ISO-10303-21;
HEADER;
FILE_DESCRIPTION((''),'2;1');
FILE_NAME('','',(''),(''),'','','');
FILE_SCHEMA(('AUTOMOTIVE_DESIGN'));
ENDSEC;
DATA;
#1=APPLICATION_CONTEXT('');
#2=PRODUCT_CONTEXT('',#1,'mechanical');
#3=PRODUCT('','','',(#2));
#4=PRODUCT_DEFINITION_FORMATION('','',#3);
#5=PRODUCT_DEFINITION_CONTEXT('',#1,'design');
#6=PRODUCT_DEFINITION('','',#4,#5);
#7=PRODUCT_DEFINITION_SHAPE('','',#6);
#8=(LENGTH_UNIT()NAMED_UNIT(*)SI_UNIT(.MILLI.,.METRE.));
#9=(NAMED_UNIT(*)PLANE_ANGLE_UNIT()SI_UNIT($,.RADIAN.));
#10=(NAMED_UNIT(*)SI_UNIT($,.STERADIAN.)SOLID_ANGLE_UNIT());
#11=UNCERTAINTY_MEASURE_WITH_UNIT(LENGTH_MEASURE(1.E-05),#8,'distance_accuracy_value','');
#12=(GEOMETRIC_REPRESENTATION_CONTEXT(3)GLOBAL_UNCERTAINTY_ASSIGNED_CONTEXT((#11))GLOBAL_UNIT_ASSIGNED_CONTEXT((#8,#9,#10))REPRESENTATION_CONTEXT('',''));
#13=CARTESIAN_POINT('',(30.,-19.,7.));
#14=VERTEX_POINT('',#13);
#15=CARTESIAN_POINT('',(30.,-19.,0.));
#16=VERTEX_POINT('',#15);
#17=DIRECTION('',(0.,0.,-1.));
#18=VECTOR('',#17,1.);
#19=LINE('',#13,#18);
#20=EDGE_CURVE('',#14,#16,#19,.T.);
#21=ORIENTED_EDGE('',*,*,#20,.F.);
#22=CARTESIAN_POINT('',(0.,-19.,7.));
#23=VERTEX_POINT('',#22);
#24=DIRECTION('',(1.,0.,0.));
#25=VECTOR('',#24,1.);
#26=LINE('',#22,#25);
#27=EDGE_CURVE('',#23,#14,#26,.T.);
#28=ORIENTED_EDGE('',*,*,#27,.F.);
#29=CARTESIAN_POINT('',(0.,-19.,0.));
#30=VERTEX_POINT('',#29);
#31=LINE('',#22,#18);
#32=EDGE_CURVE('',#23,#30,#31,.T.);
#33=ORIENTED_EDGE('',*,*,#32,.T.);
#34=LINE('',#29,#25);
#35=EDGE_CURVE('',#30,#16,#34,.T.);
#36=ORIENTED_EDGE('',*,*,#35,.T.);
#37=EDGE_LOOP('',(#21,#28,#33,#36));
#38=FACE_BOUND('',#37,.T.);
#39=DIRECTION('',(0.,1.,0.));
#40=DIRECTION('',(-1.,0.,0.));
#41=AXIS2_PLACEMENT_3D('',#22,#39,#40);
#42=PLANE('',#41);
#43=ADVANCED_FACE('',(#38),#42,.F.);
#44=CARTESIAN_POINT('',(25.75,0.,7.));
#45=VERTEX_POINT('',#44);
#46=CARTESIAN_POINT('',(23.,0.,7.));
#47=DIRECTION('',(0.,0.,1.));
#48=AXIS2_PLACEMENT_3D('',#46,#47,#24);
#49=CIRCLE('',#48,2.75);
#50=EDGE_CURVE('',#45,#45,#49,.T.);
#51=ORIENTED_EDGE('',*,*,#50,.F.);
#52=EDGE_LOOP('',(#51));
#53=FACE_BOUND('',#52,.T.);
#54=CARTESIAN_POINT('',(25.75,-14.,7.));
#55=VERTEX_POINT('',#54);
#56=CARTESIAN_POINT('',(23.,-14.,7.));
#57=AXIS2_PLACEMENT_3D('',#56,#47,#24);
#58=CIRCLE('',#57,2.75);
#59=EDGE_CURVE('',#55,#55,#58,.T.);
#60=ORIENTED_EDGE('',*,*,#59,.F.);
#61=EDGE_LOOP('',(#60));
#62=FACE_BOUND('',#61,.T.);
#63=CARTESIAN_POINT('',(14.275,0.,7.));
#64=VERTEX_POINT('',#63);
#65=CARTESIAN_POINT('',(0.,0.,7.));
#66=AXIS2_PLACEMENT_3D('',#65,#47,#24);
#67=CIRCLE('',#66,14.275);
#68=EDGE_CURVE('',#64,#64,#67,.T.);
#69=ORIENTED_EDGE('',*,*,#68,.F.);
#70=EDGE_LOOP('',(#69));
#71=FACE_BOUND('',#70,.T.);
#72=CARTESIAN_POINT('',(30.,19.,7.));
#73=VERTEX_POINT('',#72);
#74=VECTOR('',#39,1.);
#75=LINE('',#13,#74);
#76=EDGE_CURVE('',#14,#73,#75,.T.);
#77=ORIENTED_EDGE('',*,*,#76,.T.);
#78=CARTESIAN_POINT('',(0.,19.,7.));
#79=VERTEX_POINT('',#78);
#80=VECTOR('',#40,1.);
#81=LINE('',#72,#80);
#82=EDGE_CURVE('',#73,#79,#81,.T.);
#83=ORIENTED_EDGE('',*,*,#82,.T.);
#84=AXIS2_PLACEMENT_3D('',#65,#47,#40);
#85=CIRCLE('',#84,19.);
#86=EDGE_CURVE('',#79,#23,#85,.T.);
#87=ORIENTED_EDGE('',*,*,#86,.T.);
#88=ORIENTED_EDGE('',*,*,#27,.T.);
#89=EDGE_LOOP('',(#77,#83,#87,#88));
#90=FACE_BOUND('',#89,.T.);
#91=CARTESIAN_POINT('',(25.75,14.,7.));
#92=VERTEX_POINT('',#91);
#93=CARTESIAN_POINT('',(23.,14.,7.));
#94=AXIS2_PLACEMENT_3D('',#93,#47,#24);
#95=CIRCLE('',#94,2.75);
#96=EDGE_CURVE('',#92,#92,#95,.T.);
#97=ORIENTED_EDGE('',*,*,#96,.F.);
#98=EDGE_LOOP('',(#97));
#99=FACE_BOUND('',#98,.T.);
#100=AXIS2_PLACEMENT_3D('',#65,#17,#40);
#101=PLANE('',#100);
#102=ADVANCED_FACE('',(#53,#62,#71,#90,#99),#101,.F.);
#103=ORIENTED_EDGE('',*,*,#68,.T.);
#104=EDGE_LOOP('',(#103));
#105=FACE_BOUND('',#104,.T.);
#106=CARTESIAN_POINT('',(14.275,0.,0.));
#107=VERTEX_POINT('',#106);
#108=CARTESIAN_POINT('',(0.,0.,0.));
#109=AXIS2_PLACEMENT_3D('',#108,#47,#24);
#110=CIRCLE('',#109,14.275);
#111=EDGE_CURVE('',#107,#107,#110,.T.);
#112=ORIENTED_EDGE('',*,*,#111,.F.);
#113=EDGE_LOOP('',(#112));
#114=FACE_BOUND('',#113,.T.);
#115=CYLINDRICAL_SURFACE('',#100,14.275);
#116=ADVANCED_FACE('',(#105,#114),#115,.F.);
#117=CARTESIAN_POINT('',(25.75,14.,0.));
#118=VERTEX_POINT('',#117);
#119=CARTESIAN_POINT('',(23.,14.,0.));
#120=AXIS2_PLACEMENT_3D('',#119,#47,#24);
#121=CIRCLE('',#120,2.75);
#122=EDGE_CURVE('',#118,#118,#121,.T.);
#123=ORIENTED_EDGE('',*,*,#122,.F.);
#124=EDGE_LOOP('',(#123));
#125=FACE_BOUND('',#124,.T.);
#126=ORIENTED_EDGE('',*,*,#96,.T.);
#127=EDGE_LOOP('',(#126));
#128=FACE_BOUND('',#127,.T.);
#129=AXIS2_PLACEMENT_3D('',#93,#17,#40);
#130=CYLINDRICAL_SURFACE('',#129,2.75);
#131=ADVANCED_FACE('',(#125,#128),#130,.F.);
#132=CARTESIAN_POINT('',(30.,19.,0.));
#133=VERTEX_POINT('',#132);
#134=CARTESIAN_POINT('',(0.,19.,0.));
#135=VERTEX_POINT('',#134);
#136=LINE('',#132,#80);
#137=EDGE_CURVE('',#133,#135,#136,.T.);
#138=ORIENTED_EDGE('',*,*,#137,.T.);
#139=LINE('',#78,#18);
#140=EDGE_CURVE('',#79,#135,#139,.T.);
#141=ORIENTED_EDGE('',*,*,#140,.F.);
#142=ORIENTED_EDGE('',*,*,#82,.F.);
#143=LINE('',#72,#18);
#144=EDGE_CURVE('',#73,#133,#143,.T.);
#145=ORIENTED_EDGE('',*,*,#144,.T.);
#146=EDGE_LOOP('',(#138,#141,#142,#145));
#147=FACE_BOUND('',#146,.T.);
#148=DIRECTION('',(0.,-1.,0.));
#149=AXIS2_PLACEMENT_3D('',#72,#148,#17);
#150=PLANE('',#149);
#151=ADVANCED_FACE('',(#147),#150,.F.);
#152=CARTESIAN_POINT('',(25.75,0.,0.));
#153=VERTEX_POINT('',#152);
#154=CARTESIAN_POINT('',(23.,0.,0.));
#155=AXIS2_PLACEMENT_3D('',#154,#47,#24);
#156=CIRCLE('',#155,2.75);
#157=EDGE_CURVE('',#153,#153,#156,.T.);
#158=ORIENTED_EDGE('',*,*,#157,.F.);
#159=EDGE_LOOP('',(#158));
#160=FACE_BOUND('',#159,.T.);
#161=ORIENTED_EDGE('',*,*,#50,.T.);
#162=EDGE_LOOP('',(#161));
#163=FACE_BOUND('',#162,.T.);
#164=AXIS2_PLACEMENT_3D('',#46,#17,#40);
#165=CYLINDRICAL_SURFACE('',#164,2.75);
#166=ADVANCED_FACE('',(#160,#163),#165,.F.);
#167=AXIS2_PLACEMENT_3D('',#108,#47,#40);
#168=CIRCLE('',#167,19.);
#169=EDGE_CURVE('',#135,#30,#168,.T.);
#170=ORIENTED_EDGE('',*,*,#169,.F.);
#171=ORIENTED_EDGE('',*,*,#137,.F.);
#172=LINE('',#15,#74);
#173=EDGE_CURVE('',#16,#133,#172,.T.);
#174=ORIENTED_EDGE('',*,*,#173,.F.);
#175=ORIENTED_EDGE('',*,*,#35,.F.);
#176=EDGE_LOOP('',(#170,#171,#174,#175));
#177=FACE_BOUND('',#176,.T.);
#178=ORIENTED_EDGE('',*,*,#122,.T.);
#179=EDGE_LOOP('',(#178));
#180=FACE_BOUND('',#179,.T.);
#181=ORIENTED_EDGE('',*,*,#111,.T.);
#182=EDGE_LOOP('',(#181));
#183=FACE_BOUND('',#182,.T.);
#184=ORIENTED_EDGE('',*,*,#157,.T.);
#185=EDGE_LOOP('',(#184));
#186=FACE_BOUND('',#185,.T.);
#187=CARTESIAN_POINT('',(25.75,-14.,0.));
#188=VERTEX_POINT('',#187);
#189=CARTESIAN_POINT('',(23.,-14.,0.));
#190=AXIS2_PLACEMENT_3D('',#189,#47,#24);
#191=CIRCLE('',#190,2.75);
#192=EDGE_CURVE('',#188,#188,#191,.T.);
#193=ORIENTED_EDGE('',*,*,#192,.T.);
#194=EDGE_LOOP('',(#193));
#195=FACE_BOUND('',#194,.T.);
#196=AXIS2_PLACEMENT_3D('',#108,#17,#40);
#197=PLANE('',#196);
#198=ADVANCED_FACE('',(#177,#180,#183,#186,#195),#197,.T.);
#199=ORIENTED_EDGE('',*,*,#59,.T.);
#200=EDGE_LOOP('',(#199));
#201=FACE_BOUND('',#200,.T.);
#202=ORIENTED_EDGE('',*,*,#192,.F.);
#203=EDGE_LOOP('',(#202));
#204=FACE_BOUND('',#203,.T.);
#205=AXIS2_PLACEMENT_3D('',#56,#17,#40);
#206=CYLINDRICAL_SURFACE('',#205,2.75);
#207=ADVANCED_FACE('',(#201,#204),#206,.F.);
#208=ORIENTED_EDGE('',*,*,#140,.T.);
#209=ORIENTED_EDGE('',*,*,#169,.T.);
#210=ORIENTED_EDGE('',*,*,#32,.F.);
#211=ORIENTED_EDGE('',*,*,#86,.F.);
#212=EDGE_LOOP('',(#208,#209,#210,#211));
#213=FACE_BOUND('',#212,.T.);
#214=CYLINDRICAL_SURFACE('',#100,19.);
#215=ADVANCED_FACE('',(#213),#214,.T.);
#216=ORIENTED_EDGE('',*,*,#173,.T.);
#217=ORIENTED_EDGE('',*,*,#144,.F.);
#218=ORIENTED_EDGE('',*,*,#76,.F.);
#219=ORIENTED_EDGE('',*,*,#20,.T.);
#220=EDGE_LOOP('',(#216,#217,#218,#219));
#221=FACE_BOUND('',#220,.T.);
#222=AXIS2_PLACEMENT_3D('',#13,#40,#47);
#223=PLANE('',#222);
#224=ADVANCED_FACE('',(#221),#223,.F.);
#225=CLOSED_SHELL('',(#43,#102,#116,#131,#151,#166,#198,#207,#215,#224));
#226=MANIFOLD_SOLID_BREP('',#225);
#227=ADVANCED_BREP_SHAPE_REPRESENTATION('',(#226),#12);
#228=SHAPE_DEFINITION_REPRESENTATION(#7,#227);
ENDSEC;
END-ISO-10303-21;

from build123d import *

# Parameters (mm, degrees)
SKETCH1_R           = 14.275
SKETCH1_R_2         = 2.75
BOSS_EXTRUDE1_DEPTH = 7


with BuildPart() as part:
    # Sketch1 → Boss-Extrude1 (new body)
    with BuildSketch(Plane.XY):
        with BuildLine():
            Line((0, -19), (30, -19))
            Line((30, -19), (30, 19))
            Line((30, 19), (0, 19))
            ThreePointArc((0, 19), (-19, 0), (0, -19))
        make_face()
        Circle(SKETCH1_R, mode=Mode.SUBTRACT)
        with Locations((23, 14)):
            Circle(SKETCH1_R_2, mode=Mode.SUBTRACT)
        with Locations((23, 0)):
            Circle(SKETCH1_R_2, mode=Mode.SUBTRACT)
        with Locations((23, -14)):
            Circle(SKETCH1_R_2, mode=Mode.SUBTRACT)
    extrude(amount=BOSS_EXTRUDE1_DEPTH)


solid = part.part
